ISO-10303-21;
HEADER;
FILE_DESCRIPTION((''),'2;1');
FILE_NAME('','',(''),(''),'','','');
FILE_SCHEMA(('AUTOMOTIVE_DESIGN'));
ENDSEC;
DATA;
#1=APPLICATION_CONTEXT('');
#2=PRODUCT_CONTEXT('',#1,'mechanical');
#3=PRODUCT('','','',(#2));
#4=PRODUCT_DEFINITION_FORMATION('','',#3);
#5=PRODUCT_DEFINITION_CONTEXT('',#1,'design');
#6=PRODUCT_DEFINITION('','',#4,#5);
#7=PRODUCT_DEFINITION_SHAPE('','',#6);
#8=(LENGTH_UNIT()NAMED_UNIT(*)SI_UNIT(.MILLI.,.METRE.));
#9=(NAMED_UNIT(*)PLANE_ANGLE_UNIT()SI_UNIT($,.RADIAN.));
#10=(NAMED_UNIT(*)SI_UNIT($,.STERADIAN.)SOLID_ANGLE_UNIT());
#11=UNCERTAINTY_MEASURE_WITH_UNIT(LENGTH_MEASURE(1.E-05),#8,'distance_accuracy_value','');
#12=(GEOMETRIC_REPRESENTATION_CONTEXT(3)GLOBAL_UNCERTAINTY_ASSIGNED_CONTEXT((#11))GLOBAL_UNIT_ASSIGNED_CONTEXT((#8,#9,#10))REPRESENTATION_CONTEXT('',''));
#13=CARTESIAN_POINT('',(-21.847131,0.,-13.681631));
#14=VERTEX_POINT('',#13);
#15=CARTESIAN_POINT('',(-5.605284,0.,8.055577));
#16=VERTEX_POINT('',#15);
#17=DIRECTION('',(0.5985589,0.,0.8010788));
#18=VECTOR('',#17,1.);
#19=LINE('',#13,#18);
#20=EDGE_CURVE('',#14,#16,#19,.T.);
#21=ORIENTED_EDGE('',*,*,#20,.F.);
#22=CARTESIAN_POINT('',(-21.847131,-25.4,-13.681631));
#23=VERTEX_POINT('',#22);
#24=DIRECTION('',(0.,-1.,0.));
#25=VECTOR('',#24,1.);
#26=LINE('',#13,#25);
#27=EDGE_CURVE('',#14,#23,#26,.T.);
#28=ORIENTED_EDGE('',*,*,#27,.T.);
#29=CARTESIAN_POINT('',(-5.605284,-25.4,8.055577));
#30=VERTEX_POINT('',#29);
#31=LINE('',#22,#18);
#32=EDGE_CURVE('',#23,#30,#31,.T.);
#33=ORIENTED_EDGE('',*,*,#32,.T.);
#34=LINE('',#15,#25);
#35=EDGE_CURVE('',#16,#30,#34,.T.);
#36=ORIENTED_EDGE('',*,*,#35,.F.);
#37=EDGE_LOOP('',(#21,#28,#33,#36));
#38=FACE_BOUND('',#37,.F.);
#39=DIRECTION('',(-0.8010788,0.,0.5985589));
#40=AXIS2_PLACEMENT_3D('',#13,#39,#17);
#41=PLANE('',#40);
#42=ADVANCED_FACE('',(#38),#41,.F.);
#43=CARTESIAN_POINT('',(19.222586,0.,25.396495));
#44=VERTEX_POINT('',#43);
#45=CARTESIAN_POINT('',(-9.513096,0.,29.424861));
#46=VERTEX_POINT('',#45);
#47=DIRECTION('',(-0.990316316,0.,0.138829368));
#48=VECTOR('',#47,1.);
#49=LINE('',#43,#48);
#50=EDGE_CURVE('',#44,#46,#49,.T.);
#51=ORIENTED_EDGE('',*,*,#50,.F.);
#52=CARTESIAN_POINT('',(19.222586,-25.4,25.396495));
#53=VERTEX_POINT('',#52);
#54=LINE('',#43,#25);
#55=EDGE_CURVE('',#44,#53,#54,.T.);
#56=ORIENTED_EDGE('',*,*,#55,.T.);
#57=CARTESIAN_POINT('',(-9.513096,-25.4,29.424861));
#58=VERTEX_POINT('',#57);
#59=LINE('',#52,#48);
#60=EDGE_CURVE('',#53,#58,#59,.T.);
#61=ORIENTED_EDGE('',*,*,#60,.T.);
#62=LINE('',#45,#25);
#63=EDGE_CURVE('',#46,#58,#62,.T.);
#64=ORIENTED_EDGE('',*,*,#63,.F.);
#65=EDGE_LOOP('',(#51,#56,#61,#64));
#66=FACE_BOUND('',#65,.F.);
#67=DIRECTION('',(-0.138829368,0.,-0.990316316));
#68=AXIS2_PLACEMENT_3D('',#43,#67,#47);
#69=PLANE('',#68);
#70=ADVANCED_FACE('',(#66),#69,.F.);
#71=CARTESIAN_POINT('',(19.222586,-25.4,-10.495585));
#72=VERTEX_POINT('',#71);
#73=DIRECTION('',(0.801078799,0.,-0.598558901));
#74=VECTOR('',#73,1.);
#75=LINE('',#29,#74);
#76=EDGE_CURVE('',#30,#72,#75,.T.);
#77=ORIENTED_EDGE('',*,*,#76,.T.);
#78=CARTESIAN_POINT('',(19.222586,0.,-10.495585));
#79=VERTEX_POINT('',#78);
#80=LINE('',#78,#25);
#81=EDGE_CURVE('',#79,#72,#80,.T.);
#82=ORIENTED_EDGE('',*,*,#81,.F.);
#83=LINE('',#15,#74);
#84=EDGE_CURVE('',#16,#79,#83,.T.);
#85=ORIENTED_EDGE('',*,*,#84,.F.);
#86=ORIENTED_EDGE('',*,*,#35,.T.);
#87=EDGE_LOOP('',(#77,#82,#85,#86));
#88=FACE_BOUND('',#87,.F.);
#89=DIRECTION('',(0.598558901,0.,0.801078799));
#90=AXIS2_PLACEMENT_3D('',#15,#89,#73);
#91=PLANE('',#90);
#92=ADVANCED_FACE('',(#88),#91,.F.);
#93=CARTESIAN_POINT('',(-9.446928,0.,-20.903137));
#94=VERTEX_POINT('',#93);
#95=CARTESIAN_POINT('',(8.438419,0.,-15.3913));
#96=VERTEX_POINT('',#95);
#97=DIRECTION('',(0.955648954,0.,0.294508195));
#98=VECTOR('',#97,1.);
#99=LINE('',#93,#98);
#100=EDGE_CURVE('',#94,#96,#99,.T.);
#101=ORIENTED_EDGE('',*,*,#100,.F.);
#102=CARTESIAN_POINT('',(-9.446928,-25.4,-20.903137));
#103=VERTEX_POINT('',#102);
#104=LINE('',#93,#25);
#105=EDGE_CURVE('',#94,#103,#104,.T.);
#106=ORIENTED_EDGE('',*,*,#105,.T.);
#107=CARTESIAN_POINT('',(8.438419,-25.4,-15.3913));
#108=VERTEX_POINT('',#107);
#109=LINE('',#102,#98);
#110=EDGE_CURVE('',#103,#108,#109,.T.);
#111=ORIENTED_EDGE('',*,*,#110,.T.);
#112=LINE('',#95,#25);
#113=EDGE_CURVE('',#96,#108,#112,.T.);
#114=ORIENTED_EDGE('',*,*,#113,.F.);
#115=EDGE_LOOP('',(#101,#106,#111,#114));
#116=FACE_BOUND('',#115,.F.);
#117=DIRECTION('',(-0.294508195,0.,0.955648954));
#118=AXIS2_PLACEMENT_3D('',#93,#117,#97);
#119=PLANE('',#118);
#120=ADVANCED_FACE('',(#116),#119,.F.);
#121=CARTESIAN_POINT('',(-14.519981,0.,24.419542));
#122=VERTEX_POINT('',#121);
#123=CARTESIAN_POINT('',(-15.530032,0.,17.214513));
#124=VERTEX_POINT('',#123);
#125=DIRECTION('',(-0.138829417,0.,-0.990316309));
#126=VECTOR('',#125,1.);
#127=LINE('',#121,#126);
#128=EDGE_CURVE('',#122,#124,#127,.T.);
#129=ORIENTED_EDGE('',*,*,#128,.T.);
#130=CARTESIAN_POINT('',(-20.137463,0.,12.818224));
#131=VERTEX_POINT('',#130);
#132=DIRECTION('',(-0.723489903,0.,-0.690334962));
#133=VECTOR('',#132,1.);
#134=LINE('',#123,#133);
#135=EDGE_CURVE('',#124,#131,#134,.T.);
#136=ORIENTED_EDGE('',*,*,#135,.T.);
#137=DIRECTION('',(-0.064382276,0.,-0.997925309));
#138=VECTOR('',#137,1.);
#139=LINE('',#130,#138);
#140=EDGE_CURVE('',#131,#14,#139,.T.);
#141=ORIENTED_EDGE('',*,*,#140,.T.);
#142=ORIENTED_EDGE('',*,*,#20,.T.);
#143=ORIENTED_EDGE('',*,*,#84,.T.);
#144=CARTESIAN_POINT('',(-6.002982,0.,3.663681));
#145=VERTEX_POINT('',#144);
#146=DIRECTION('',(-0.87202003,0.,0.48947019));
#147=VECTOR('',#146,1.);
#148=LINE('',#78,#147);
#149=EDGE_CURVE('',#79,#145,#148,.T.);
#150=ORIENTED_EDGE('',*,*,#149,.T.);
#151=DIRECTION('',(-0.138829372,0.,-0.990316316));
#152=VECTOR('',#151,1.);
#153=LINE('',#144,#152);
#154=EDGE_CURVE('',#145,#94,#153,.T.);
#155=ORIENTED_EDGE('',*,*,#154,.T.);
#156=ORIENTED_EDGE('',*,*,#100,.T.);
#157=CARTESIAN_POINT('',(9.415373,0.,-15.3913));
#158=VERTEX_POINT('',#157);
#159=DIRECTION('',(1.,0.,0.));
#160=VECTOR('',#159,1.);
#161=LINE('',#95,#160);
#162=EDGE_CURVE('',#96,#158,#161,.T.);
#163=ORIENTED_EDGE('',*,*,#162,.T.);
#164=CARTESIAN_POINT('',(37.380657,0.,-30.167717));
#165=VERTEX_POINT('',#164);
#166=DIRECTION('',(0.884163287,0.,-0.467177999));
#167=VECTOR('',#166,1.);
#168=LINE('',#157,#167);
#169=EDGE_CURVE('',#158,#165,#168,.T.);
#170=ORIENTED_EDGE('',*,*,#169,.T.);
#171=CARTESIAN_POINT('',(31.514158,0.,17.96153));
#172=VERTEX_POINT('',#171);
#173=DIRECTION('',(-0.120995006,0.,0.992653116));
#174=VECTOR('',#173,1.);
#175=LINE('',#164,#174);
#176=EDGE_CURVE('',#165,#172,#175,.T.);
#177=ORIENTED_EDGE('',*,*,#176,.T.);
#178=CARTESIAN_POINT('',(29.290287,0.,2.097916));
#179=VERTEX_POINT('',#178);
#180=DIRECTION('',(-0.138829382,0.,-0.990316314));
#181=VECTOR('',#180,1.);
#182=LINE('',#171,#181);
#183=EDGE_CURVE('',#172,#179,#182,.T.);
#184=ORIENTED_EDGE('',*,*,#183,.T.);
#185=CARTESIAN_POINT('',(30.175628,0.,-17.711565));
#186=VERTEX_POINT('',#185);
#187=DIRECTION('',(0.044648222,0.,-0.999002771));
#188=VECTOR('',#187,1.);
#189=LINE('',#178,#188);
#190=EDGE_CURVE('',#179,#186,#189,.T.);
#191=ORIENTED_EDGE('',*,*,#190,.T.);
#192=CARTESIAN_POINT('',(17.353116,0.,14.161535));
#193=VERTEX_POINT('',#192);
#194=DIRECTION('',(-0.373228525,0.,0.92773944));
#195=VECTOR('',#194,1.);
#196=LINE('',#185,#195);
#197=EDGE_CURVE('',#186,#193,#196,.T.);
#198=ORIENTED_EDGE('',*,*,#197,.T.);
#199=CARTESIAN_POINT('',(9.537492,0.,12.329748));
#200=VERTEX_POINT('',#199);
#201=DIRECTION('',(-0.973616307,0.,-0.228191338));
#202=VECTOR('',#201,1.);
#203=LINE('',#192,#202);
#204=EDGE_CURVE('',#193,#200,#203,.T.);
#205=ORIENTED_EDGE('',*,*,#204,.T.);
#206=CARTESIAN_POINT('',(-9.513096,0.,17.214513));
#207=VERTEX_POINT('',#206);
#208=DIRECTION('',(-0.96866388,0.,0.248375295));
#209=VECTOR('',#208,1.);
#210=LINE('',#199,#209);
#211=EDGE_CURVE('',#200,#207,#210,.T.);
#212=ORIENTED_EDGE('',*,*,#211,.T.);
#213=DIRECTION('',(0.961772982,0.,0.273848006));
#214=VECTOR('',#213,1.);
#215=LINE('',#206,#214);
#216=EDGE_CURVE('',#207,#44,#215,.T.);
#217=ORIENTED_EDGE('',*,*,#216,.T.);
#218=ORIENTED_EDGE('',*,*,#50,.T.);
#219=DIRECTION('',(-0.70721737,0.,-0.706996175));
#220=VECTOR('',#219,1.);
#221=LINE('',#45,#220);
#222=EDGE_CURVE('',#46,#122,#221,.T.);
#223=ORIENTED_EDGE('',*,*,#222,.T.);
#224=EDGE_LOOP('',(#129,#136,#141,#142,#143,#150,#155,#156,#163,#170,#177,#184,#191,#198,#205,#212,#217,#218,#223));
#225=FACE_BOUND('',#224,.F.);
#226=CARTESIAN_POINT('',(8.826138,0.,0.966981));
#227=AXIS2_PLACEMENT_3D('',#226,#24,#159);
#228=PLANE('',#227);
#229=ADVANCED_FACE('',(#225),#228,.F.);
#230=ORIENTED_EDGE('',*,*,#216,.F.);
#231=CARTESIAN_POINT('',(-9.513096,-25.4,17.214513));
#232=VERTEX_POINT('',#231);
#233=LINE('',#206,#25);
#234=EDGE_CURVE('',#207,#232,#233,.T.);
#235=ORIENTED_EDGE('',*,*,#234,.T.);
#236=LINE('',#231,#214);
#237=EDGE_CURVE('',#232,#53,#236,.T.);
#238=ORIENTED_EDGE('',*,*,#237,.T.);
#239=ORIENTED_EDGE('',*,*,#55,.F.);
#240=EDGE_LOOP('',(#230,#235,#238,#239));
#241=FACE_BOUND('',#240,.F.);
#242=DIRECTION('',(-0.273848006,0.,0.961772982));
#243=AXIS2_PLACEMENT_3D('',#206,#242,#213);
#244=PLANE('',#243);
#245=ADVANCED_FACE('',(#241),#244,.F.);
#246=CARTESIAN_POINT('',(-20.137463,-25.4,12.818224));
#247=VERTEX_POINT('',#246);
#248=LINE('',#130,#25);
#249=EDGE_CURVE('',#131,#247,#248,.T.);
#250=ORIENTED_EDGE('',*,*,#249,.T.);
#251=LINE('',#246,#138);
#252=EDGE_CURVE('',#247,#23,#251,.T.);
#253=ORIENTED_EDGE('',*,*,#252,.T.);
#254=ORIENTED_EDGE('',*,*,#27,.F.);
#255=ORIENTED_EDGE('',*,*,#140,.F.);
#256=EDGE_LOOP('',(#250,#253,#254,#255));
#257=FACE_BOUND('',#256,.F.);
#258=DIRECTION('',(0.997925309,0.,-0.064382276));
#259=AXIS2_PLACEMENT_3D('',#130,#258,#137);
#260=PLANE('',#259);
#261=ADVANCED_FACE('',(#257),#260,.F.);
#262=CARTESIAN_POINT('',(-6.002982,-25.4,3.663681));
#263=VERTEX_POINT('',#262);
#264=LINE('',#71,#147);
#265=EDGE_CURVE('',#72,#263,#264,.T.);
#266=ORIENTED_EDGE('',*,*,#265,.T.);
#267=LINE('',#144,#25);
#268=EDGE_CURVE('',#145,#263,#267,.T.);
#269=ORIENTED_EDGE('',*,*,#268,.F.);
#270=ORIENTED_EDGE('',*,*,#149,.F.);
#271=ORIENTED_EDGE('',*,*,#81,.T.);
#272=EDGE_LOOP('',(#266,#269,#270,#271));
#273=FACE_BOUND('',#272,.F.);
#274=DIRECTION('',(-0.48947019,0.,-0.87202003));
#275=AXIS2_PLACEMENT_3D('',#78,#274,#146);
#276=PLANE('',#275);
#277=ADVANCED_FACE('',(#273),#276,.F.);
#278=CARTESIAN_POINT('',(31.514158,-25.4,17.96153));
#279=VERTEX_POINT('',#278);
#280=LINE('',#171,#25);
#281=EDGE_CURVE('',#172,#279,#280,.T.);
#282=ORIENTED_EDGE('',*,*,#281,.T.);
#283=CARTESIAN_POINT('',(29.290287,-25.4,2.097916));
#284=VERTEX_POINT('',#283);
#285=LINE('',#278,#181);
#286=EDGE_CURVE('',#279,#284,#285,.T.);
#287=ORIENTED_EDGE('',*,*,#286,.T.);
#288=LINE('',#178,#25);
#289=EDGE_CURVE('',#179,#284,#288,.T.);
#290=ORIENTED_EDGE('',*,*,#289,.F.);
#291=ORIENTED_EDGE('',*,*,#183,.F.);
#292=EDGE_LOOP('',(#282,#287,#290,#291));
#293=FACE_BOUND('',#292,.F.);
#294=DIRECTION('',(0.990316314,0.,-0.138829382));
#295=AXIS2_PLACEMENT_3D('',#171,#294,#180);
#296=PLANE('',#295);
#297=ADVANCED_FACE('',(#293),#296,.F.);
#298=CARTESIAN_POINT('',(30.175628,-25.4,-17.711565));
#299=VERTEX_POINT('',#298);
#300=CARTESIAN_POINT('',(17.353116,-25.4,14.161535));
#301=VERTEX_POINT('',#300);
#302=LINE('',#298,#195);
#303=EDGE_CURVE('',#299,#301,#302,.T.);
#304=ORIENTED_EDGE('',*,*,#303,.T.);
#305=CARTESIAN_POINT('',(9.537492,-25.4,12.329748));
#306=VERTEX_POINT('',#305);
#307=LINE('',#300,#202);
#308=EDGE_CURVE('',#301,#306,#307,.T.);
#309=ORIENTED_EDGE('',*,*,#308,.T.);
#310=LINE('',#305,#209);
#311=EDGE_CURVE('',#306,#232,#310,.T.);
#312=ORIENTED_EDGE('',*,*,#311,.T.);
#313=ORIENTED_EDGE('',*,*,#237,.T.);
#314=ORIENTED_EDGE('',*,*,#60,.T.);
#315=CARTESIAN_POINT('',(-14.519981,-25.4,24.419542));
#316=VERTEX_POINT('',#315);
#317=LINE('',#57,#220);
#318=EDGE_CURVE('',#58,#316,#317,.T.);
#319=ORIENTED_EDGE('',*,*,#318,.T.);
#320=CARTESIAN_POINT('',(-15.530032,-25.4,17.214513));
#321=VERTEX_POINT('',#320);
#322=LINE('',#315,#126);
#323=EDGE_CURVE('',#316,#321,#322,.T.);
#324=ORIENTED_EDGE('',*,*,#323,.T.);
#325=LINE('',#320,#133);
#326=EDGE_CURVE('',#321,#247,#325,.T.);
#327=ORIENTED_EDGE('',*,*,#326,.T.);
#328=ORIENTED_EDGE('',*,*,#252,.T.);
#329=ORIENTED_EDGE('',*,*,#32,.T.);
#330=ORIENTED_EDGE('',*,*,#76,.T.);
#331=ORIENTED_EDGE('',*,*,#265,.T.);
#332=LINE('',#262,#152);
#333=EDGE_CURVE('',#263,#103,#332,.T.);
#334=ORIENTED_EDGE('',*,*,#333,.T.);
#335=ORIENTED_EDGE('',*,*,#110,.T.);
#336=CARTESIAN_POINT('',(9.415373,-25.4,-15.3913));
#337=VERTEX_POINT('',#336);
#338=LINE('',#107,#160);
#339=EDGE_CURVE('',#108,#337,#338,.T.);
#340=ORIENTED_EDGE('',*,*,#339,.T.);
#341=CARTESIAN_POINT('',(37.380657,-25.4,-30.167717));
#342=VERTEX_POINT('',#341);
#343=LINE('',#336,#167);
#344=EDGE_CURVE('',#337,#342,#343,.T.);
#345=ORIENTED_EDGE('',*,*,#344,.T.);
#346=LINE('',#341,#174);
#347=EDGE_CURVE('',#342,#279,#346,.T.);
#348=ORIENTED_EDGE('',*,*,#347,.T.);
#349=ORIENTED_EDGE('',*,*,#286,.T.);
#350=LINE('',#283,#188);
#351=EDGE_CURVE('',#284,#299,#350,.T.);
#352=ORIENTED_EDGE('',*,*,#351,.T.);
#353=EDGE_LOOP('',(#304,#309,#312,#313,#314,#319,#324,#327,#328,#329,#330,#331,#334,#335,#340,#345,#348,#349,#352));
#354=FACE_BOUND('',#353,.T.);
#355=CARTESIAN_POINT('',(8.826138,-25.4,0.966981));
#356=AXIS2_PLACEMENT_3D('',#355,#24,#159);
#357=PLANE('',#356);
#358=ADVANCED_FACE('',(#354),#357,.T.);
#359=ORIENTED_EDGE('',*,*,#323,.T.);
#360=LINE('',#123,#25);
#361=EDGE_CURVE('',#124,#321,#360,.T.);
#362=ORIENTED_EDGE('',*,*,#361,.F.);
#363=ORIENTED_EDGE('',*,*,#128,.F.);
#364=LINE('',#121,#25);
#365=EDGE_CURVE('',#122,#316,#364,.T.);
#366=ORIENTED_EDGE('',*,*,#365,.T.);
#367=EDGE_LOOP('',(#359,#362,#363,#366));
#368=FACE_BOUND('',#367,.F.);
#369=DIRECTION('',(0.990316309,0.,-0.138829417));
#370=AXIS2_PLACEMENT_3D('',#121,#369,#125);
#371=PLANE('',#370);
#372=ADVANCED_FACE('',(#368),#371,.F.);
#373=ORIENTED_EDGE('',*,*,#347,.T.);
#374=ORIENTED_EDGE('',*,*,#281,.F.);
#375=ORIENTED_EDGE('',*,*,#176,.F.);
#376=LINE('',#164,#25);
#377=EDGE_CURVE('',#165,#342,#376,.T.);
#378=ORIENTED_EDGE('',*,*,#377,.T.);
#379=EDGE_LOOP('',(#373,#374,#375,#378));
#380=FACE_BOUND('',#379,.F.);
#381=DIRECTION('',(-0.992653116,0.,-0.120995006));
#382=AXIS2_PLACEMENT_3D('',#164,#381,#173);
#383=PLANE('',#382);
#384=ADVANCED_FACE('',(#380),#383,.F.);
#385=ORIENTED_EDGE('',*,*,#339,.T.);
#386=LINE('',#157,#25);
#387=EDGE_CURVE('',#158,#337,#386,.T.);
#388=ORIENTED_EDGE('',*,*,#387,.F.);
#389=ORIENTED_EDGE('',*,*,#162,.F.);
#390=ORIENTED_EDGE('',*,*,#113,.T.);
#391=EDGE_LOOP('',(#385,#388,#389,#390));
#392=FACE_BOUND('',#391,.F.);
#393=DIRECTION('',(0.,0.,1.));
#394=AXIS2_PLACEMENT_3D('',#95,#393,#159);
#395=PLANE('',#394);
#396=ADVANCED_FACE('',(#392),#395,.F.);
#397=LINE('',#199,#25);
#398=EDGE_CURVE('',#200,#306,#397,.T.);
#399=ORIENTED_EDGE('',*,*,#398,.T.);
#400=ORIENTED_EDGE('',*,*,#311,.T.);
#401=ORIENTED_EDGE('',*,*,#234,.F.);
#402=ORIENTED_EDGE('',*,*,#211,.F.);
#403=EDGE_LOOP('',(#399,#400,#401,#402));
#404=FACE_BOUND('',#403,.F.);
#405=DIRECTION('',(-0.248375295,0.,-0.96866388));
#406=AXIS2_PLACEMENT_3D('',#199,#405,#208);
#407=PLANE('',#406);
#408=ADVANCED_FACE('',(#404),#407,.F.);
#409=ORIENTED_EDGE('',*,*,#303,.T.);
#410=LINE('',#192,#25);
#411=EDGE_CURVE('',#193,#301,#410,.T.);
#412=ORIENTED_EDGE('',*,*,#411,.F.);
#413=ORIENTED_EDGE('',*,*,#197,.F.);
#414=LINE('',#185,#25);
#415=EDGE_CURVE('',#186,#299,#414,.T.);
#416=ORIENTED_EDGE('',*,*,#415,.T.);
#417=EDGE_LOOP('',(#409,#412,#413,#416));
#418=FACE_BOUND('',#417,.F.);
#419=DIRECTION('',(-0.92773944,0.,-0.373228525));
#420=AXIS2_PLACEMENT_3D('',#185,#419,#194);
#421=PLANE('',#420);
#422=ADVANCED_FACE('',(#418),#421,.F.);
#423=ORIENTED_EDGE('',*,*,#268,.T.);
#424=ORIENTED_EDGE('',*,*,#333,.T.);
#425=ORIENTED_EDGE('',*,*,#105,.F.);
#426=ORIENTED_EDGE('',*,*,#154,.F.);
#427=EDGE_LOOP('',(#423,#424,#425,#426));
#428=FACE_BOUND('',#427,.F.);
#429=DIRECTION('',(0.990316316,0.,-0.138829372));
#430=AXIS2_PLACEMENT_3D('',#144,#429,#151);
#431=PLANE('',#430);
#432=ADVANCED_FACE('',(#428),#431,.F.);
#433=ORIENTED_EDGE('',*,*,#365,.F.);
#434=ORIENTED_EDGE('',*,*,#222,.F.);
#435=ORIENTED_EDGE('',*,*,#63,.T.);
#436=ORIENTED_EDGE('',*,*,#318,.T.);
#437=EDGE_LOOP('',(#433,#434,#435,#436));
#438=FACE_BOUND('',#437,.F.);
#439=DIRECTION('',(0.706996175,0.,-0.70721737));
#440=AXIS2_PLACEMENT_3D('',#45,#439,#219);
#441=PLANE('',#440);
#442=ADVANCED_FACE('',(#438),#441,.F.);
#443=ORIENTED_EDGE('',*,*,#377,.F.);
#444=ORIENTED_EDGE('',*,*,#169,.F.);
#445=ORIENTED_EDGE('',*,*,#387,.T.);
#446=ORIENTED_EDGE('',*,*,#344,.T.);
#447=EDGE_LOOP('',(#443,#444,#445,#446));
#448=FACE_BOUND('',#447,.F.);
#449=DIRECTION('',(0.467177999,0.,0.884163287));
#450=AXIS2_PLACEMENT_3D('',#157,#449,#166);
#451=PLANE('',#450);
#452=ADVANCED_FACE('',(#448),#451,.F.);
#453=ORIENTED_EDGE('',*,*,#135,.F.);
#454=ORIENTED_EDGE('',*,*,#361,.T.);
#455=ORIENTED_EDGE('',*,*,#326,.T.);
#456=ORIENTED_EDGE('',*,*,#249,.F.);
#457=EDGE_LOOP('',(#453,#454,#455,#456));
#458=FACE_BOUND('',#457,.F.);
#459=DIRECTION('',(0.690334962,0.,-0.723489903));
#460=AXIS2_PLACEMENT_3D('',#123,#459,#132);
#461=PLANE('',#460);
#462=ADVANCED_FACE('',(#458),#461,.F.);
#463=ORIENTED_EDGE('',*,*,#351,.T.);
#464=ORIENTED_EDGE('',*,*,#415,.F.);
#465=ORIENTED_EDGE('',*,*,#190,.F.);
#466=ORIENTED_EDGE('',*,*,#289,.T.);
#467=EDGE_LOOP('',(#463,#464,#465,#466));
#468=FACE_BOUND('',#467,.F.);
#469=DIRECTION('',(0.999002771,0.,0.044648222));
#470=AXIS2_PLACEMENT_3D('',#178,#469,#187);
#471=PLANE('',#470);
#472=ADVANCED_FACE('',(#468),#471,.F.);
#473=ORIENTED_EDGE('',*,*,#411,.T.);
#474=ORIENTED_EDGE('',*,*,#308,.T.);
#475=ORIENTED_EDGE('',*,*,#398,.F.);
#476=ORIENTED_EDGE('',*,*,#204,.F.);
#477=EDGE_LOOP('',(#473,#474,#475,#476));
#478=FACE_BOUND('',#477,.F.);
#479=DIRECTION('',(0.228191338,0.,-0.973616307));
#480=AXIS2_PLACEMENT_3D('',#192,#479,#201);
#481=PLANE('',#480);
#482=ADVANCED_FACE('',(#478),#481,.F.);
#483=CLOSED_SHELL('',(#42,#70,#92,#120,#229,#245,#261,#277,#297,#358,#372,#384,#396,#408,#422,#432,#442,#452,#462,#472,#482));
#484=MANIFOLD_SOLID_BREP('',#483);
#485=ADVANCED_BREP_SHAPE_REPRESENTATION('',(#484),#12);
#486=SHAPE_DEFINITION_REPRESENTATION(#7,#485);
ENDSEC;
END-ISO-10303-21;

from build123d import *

# Parameters (mm, degrees)
F1_DEPTH = 25.4


with BuildPart() as f1:
    # F0 (on Front) → F1 (new body)
    with BuildSketch(Plane.XZ):
        Polygon((-15.530032, 17.214513), (-20.137463, 12.818224), (-21.847131, -13.681631), (-5.605284, 8.055577), (19.222586, -10.495585), (-6.002982, 3.663681), (-9.446928, -20.903137), (8.438419, -15.3913), (9.415373, -15.3913), (37.380657, -30.167717), (31.514158, 17.96153), (29.290287, 2.097916), (30.175628, -17.711565), (17.353116, 14.161535), (9.537492, 12.329748), (-9.513096, 17.214513), (19.222586, 25.396495), (-9.513096, 29.424861), (-14.519981, 24.419542), align=None)
    extrude(amount=F1_DEPTH)


solid = f1.part
